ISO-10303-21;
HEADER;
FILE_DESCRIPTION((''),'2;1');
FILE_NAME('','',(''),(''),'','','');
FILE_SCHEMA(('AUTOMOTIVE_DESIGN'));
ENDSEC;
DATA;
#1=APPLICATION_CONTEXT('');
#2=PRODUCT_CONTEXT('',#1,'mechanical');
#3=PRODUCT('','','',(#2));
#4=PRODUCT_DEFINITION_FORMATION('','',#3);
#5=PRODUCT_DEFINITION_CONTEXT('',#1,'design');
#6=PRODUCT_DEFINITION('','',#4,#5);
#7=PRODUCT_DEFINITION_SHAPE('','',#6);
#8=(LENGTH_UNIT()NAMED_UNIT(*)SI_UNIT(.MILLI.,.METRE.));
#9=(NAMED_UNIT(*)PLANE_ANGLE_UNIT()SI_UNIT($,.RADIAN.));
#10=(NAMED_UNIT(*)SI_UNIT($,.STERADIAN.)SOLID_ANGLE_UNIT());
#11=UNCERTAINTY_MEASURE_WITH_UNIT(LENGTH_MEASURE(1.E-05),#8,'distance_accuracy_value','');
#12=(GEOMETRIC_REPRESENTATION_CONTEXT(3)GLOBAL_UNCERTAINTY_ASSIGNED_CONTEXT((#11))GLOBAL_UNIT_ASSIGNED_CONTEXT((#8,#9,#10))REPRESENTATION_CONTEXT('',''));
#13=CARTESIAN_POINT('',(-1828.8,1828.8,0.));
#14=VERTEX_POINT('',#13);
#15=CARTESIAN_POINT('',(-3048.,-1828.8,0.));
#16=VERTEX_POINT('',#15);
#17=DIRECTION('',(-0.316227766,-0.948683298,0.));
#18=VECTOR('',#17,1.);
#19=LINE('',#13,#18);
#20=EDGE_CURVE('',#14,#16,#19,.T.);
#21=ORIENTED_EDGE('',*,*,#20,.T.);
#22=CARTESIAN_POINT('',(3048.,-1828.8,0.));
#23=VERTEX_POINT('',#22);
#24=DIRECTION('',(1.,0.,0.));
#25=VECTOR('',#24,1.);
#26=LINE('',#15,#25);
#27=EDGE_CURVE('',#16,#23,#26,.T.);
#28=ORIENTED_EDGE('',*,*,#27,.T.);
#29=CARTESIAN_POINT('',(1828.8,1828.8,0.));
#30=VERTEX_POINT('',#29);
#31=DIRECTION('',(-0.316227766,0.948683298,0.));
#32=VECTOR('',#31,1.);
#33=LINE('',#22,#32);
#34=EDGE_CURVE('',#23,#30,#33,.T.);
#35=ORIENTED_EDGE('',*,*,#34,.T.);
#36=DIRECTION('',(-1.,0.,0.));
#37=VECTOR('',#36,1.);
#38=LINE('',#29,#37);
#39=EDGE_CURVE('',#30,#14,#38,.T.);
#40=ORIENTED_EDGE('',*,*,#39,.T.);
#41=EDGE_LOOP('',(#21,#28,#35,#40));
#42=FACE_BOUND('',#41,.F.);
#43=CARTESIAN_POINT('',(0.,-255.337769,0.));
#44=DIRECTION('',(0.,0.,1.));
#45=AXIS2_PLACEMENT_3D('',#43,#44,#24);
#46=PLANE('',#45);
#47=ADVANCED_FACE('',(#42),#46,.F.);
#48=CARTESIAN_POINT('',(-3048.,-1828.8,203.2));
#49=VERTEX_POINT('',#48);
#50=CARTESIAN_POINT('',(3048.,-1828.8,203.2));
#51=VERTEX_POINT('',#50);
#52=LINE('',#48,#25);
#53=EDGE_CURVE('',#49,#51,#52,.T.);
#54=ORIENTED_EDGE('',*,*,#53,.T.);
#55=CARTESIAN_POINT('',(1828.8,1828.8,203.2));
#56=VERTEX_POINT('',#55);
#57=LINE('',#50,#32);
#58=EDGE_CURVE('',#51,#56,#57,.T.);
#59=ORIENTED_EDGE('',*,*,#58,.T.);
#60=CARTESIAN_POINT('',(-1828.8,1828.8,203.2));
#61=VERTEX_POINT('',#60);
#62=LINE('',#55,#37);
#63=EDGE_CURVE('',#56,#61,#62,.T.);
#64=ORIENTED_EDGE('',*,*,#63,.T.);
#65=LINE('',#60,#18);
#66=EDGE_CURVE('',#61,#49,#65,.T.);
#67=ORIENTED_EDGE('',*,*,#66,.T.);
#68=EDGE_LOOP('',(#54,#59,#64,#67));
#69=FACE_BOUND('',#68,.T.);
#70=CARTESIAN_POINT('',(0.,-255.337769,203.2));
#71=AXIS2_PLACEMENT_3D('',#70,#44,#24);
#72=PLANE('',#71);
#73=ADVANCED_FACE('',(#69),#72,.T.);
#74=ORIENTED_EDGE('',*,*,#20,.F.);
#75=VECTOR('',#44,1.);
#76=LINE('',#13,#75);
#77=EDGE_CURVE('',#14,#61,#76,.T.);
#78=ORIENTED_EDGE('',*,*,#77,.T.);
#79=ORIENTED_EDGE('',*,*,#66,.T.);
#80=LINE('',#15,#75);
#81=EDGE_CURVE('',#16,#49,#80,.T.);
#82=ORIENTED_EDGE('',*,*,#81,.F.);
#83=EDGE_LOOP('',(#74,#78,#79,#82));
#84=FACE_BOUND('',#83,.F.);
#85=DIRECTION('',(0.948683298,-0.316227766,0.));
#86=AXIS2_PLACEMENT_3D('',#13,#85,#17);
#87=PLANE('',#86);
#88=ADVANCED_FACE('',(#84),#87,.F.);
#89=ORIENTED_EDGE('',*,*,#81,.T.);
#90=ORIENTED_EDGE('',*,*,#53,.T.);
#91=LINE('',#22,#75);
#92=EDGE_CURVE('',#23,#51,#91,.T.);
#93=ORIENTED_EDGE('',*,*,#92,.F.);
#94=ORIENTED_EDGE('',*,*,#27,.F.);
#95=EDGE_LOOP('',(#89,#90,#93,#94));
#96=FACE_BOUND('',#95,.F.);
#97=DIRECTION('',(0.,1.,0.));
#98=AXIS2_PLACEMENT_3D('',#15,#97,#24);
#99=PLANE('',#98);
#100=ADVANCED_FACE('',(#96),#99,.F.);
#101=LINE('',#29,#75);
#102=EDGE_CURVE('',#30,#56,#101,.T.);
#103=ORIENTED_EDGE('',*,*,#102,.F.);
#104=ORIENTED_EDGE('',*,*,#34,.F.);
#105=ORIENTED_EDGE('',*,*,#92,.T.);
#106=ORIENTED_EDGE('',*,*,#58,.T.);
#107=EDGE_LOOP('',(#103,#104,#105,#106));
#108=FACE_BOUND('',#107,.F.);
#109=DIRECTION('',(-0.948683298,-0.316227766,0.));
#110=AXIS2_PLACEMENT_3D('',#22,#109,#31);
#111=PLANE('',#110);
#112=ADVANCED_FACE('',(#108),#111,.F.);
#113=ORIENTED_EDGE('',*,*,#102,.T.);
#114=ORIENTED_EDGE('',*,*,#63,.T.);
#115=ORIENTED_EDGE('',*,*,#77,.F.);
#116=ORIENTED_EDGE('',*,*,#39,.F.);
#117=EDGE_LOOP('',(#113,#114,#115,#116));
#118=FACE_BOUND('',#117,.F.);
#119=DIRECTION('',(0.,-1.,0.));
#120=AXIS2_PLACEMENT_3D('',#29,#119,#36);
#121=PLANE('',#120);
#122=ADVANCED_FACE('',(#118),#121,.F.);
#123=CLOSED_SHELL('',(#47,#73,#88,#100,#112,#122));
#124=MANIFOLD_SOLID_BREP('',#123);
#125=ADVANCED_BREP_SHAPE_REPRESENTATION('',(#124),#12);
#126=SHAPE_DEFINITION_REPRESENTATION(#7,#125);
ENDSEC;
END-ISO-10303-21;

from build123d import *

# Parameters (mm, degrees)
PAD_DEPTH = 203.2


with BuildPart() as part:
    # Sketch → Pad (new body)
    with BuildSketch(Plane.XY):
        Polygon((-3048, -1828.8), (3048, -1828.8), (1828.8, 1828.8), (-1828.8, 1828.8), align=None)
    extrude(amount=PAD_DEPTH)


solid = part.part
